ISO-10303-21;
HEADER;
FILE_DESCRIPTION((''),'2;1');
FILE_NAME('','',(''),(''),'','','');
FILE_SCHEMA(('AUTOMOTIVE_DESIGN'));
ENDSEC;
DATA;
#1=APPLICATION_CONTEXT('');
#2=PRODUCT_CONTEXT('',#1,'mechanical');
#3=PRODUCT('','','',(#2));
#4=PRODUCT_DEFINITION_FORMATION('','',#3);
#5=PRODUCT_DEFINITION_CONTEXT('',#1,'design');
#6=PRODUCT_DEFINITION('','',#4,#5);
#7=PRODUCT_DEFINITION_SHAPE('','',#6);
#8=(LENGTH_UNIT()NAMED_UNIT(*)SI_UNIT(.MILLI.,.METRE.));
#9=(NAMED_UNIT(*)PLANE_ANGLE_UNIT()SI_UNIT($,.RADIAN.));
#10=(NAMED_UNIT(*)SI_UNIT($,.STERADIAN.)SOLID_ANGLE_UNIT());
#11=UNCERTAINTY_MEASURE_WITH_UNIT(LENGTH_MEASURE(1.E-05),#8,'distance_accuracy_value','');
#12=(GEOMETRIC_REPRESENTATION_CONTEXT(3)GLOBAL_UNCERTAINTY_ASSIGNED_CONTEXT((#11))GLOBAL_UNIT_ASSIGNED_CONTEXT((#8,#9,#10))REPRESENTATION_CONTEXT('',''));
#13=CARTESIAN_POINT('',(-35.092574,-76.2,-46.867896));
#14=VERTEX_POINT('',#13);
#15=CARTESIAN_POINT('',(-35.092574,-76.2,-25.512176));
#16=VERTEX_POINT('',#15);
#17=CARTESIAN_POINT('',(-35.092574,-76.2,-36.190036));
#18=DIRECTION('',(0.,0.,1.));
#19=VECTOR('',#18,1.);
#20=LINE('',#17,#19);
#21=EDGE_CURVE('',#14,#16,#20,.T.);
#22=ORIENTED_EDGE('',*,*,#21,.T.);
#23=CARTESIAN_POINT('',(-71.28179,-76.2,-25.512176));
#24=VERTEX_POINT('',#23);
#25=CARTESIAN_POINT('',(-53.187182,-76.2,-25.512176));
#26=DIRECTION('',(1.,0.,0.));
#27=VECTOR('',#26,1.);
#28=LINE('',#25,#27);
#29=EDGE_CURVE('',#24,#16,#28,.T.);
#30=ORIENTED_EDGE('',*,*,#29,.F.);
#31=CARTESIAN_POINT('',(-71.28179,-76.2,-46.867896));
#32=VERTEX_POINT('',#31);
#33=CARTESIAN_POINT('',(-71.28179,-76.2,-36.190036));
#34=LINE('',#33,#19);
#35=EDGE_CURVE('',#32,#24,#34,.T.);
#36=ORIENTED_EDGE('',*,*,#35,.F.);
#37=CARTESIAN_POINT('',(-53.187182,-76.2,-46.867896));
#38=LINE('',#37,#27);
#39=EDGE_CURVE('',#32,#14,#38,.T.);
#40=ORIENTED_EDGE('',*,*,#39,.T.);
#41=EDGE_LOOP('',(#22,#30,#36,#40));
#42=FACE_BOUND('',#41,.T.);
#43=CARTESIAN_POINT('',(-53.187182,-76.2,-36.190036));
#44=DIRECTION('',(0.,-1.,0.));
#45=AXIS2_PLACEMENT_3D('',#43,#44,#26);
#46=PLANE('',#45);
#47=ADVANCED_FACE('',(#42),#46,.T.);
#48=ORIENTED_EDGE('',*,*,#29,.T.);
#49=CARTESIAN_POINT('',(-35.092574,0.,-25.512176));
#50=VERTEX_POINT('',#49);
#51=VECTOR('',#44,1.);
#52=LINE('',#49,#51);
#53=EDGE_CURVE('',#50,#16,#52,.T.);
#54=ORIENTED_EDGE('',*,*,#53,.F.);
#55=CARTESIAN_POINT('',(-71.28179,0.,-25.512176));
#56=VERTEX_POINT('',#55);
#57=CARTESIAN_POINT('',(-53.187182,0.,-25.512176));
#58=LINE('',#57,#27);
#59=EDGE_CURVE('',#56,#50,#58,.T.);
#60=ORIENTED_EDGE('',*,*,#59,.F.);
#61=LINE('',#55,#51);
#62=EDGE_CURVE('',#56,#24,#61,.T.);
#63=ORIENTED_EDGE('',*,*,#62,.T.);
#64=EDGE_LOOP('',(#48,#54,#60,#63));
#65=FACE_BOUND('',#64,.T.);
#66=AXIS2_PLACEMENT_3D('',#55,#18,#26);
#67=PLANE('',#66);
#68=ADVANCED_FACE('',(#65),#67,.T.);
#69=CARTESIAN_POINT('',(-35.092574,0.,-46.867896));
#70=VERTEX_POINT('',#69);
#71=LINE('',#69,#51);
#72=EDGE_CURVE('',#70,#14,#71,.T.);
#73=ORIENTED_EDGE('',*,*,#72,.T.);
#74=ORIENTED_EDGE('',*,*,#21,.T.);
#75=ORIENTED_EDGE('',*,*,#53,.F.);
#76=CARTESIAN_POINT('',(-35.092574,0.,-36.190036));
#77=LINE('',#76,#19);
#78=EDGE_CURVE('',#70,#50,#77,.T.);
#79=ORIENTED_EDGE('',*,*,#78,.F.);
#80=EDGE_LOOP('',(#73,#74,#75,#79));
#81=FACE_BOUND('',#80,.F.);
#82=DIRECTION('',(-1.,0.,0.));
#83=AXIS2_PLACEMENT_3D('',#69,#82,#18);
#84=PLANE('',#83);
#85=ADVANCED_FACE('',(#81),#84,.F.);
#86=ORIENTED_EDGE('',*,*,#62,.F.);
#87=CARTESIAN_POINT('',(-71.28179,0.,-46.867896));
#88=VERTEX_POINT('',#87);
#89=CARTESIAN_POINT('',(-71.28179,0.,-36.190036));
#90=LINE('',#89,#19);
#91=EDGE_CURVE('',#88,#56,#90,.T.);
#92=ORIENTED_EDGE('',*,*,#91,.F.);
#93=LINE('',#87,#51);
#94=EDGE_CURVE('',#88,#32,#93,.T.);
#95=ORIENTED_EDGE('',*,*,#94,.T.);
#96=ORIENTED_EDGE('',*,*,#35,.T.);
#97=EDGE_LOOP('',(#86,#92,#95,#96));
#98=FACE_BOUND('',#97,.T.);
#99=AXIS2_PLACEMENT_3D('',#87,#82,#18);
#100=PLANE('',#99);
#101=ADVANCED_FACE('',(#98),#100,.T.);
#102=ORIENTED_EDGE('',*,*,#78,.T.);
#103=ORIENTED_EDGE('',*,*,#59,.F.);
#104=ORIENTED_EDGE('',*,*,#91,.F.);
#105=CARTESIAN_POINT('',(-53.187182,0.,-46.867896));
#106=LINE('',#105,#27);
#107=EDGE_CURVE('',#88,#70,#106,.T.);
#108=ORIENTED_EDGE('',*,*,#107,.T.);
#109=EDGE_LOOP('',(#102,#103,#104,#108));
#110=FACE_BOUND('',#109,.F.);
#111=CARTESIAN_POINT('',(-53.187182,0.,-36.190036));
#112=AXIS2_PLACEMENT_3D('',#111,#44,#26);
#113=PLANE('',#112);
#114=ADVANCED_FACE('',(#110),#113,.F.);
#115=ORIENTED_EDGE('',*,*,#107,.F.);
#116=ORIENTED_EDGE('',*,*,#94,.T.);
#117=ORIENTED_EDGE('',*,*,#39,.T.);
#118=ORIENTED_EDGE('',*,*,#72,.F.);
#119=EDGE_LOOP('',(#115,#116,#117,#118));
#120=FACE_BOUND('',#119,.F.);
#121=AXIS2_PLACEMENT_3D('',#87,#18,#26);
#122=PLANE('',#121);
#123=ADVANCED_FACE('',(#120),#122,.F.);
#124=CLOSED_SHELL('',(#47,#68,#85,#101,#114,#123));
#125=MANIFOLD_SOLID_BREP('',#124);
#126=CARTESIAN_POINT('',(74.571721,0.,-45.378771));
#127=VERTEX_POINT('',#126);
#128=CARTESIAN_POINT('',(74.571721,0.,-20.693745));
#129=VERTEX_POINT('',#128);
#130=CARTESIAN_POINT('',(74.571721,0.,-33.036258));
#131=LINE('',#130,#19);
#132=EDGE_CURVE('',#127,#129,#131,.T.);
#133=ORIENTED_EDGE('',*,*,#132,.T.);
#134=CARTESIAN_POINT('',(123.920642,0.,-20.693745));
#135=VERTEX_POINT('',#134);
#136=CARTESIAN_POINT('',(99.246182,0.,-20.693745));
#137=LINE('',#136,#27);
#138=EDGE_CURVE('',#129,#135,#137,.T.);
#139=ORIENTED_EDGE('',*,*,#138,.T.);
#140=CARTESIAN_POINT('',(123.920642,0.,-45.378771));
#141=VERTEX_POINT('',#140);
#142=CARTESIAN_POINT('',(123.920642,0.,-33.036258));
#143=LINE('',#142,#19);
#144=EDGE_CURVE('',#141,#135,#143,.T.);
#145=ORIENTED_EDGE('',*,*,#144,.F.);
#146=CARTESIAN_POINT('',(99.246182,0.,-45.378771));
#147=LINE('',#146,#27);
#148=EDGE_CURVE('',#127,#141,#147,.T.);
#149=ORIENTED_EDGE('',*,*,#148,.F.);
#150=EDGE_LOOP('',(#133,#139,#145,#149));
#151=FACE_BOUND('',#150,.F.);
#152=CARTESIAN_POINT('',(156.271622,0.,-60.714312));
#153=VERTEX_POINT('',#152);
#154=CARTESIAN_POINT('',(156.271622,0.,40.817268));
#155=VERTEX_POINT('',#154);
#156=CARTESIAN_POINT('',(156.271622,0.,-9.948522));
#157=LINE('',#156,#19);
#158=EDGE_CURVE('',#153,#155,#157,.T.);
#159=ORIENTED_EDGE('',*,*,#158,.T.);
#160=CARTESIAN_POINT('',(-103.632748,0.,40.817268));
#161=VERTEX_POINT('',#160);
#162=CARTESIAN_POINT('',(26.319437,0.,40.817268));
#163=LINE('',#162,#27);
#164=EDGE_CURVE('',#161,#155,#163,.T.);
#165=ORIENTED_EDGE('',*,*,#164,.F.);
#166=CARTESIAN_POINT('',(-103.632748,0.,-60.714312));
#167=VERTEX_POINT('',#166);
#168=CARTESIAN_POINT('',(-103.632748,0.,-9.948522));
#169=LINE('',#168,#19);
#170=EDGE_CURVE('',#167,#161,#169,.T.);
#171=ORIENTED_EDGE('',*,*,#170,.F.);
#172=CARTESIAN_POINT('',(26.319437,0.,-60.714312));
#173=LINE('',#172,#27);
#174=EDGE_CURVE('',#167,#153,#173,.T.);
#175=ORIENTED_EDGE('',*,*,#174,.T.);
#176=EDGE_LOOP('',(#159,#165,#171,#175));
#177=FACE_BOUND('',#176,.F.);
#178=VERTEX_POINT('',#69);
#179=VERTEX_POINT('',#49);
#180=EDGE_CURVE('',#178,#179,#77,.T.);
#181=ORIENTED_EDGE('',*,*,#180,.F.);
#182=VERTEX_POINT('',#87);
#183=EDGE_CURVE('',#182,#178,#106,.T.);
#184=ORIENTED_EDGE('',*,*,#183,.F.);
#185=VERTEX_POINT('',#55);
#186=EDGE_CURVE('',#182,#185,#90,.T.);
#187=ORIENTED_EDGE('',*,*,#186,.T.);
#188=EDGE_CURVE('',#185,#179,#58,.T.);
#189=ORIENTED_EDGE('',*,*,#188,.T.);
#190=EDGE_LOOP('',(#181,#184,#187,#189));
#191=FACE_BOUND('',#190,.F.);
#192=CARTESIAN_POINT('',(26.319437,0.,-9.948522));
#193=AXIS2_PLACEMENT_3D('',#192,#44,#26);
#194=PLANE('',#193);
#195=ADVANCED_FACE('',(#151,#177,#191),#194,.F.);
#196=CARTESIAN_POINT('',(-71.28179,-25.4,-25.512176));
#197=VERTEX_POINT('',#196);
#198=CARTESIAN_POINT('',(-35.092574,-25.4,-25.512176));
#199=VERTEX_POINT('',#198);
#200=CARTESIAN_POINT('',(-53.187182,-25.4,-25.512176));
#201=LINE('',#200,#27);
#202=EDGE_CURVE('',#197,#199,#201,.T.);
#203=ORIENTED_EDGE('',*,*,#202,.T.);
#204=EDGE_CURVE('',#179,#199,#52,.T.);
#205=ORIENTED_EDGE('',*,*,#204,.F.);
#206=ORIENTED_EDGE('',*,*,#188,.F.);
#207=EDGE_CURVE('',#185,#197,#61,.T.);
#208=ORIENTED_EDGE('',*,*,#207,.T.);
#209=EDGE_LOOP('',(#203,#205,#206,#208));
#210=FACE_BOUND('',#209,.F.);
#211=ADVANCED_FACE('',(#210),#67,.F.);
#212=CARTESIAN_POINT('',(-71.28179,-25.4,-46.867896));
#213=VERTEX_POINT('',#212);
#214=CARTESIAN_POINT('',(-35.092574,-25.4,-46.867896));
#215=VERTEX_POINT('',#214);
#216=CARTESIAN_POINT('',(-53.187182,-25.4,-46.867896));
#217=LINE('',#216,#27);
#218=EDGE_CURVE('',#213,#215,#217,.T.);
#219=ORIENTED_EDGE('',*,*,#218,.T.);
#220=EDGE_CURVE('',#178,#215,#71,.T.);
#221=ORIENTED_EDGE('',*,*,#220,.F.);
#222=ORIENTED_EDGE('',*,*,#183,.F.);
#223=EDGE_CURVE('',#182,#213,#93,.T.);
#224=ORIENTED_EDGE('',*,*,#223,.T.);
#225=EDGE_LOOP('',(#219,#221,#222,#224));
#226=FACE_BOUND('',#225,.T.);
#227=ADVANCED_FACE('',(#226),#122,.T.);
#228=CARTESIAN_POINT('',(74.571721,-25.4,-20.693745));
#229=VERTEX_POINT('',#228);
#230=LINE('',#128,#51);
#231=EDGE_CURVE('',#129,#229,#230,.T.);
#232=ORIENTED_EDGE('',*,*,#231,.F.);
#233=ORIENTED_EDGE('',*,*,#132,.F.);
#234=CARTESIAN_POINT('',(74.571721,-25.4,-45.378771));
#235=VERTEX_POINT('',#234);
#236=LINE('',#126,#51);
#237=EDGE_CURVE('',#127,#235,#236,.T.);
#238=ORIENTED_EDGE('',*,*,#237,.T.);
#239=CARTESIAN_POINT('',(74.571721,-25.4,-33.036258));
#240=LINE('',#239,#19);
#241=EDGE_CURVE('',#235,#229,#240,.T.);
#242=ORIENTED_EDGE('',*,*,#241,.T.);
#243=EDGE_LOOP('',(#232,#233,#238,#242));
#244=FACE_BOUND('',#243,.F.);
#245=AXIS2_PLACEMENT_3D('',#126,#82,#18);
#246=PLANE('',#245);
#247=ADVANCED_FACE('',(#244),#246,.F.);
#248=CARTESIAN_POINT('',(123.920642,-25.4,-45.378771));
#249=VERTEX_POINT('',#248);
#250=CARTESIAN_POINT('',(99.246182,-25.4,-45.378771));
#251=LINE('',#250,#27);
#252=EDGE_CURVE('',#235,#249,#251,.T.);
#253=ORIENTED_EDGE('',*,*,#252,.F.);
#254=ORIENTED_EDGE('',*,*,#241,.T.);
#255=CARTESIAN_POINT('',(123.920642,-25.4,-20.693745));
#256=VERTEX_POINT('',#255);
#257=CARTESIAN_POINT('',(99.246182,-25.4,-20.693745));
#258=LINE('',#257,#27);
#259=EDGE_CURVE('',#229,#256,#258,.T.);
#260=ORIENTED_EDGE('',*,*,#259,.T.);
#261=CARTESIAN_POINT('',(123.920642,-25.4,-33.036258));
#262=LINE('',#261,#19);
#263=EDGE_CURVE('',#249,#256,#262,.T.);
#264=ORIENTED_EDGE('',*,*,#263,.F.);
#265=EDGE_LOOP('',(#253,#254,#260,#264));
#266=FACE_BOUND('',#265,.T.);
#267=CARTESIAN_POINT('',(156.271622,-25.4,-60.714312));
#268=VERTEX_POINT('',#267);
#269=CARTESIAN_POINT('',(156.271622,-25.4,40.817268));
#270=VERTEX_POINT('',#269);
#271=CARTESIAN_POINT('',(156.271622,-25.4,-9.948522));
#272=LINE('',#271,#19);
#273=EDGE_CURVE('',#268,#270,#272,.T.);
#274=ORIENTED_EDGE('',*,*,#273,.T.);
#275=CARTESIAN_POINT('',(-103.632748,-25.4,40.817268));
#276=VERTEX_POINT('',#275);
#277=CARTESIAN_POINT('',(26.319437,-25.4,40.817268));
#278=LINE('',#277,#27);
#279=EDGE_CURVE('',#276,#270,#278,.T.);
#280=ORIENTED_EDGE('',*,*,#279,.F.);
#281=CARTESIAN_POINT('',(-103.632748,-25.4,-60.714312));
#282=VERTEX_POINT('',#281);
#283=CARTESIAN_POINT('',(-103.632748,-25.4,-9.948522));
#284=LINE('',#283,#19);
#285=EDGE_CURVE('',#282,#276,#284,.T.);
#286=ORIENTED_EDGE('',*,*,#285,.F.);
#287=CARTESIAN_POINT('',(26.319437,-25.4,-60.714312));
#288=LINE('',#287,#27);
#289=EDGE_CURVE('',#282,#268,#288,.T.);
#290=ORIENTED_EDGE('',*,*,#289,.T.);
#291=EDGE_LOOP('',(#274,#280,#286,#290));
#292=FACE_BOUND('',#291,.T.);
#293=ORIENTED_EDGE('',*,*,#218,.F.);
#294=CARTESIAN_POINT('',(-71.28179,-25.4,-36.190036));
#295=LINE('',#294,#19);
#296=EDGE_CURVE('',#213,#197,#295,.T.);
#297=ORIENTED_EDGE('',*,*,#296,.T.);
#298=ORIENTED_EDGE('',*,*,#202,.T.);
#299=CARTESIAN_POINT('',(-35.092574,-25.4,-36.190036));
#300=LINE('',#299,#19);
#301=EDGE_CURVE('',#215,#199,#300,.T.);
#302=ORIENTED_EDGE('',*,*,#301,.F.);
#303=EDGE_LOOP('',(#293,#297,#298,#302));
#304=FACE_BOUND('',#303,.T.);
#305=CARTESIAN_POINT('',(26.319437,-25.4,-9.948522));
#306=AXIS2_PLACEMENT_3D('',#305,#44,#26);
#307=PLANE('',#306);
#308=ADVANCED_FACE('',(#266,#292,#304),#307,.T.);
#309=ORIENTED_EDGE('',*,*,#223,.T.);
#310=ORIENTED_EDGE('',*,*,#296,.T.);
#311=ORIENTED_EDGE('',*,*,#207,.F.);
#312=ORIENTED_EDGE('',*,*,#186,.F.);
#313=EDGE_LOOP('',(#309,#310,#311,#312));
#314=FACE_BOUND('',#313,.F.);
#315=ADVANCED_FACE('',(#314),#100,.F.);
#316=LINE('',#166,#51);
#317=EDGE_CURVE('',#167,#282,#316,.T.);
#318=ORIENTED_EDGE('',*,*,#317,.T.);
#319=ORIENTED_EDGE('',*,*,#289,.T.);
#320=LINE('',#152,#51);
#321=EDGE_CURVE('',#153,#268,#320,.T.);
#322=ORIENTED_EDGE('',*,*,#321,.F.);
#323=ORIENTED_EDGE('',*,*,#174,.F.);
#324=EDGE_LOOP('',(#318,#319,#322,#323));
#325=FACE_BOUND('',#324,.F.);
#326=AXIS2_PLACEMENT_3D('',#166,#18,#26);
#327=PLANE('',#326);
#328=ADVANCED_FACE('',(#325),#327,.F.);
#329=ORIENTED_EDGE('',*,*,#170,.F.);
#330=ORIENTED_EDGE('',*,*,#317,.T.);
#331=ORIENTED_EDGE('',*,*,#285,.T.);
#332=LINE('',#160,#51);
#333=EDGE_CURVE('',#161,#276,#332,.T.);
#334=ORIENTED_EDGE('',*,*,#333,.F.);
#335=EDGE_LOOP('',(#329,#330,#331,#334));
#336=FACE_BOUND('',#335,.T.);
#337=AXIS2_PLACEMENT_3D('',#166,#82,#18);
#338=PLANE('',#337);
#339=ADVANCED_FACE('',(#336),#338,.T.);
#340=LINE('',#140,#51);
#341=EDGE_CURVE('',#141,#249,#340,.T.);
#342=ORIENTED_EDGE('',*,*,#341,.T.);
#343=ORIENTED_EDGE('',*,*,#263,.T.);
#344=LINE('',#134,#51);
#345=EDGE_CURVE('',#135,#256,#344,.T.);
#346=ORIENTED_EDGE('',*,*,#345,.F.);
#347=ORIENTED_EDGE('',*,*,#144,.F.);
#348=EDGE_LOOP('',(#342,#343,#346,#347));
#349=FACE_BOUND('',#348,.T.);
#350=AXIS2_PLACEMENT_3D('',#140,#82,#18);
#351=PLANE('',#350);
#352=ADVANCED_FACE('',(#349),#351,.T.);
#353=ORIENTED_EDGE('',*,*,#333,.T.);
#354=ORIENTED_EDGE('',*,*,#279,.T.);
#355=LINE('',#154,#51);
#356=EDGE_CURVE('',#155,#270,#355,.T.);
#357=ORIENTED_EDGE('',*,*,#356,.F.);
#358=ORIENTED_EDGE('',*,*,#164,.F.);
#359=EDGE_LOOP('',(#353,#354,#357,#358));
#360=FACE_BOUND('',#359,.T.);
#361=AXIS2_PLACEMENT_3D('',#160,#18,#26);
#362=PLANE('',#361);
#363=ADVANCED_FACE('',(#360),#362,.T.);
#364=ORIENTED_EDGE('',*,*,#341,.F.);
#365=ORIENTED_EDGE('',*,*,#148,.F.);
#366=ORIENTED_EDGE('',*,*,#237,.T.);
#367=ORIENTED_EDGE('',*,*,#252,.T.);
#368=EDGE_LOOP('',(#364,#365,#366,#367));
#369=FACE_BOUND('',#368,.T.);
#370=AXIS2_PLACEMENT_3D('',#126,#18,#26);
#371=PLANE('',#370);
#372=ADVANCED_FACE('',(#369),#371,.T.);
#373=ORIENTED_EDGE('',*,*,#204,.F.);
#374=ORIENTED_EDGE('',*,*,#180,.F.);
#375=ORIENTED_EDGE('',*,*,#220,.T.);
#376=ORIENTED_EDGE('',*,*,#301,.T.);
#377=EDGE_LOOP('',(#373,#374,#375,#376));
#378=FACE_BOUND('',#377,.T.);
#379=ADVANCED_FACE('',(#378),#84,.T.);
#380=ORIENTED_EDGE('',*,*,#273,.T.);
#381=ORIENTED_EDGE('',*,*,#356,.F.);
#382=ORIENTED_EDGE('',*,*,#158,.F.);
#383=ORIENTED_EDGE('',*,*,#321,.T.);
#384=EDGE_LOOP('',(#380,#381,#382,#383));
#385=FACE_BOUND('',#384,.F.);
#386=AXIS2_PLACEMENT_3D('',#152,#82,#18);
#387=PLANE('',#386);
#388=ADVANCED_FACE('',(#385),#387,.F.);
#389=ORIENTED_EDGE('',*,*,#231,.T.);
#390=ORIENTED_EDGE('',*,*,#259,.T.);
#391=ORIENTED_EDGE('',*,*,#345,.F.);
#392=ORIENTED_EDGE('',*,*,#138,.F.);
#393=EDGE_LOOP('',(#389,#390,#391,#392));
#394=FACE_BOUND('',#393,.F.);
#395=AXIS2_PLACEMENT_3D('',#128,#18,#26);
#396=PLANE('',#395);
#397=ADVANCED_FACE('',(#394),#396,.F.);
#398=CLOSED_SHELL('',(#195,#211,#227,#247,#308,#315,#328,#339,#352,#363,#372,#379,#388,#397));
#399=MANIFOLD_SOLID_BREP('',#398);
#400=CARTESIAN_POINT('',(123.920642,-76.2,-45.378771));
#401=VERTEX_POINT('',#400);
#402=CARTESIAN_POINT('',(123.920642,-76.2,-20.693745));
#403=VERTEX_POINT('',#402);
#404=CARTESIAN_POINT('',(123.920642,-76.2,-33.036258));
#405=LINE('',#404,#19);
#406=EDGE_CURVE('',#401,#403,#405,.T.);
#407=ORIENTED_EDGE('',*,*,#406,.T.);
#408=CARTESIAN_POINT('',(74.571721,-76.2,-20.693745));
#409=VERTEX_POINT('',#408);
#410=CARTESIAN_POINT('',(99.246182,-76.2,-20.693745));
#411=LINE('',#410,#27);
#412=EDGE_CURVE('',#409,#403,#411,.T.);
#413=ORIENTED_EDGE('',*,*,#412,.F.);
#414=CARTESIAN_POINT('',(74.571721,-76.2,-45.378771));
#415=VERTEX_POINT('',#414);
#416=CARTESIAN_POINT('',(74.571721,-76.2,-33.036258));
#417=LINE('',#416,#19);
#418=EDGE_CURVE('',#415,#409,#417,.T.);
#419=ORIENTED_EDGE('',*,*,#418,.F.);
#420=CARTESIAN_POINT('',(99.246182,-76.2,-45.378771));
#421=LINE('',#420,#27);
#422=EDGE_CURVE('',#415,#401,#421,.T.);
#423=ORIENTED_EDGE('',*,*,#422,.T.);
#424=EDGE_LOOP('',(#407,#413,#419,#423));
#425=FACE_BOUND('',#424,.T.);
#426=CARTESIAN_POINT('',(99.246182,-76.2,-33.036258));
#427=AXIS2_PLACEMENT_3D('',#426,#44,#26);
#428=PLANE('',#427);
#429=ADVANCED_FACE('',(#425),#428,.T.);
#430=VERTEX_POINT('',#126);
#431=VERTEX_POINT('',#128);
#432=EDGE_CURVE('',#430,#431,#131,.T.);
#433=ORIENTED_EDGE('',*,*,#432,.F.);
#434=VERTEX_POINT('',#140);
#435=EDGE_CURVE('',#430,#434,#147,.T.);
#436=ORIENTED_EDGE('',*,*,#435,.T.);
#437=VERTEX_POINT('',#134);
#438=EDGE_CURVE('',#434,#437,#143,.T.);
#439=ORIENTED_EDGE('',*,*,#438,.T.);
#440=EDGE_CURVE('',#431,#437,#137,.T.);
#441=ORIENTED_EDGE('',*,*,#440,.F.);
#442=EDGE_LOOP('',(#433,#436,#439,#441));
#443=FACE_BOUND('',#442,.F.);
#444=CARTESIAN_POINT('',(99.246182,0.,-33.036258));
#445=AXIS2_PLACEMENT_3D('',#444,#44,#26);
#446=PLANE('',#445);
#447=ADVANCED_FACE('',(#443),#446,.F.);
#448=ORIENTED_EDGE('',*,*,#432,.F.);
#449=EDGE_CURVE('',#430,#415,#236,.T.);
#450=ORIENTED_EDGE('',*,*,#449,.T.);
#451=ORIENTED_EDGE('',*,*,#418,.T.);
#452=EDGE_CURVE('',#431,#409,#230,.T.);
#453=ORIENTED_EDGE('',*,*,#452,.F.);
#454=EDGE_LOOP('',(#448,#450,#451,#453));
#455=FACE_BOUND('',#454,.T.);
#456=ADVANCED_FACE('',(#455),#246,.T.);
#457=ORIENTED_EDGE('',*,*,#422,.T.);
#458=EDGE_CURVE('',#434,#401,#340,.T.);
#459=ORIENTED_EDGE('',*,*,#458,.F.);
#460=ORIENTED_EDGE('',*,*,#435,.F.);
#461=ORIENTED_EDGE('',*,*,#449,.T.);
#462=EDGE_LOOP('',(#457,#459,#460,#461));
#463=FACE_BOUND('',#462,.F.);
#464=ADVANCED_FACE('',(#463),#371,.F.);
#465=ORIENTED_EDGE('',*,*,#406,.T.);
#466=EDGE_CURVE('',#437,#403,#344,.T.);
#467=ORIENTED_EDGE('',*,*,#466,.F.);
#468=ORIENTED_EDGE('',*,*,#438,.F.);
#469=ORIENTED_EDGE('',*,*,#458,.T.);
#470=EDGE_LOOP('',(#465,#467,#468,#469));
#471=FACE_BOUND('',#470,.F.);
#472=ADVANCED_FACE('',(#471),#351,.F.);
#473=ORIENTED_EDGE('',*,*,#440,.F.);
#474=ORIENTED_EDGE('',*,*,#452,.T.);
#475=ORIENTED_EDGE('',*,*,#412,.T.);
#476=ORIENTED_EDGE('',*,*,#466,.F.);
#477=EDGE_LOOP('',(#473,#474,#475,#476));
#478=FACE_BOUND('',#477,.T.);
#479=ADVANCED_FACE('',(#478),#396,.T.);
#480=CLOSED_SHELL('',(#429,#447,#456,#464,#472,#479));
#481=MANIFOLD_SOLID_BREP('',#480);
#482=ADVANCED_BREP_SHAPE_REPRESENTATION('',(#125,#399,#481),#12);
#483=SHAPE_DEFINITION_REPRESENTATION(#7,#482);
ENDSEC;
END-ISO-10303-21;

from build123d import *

# Parameters (mm, degrees)
F0_W     = 36.189217
F0_H     = 21.355719
F0_W_2   = 49.348921
F0_H_2   = 24.685026
F1_DEPTH = 76.2
F0_W_3   = 259.90437
F0_H_3   = 101.53158
F2_DEPTH = 25.4


with BuildPart() as f1:
    # F0 (on Front) → F1 (new body)
    with BuildSketch(Plane.XZ):
        with Locations((-53.187182, -36.190036)):
            Rectangle(F0_W, F0_H)
        with Locations((99.246182, -33.036258)):
            Rectangle(F0_W_2, F0_H_2)
    extrude(amount=F1_DEPTH)


with BuildPart() as f2:
    # F0 (on Front) → F2 (new body)
    with BuildSketch(Plane.XZ):
        with Locations((26.319437, -9.948522)):
            Rectangle(F0_W_3, F0_H_3)
        with Locations((-53.187182, -36.190036)):
            Rectangle(F0_W, F0_H, mode=Mode.SUBTRACT)
        with Locations((99.246182, -33.036258)):
            Rectangle(F0_W_2, F0_H_2, mode=Mode.SUBTRACT)
    extrude(amount=F2_DEPTH)


solid = Compound([f1.part, f2.part])
